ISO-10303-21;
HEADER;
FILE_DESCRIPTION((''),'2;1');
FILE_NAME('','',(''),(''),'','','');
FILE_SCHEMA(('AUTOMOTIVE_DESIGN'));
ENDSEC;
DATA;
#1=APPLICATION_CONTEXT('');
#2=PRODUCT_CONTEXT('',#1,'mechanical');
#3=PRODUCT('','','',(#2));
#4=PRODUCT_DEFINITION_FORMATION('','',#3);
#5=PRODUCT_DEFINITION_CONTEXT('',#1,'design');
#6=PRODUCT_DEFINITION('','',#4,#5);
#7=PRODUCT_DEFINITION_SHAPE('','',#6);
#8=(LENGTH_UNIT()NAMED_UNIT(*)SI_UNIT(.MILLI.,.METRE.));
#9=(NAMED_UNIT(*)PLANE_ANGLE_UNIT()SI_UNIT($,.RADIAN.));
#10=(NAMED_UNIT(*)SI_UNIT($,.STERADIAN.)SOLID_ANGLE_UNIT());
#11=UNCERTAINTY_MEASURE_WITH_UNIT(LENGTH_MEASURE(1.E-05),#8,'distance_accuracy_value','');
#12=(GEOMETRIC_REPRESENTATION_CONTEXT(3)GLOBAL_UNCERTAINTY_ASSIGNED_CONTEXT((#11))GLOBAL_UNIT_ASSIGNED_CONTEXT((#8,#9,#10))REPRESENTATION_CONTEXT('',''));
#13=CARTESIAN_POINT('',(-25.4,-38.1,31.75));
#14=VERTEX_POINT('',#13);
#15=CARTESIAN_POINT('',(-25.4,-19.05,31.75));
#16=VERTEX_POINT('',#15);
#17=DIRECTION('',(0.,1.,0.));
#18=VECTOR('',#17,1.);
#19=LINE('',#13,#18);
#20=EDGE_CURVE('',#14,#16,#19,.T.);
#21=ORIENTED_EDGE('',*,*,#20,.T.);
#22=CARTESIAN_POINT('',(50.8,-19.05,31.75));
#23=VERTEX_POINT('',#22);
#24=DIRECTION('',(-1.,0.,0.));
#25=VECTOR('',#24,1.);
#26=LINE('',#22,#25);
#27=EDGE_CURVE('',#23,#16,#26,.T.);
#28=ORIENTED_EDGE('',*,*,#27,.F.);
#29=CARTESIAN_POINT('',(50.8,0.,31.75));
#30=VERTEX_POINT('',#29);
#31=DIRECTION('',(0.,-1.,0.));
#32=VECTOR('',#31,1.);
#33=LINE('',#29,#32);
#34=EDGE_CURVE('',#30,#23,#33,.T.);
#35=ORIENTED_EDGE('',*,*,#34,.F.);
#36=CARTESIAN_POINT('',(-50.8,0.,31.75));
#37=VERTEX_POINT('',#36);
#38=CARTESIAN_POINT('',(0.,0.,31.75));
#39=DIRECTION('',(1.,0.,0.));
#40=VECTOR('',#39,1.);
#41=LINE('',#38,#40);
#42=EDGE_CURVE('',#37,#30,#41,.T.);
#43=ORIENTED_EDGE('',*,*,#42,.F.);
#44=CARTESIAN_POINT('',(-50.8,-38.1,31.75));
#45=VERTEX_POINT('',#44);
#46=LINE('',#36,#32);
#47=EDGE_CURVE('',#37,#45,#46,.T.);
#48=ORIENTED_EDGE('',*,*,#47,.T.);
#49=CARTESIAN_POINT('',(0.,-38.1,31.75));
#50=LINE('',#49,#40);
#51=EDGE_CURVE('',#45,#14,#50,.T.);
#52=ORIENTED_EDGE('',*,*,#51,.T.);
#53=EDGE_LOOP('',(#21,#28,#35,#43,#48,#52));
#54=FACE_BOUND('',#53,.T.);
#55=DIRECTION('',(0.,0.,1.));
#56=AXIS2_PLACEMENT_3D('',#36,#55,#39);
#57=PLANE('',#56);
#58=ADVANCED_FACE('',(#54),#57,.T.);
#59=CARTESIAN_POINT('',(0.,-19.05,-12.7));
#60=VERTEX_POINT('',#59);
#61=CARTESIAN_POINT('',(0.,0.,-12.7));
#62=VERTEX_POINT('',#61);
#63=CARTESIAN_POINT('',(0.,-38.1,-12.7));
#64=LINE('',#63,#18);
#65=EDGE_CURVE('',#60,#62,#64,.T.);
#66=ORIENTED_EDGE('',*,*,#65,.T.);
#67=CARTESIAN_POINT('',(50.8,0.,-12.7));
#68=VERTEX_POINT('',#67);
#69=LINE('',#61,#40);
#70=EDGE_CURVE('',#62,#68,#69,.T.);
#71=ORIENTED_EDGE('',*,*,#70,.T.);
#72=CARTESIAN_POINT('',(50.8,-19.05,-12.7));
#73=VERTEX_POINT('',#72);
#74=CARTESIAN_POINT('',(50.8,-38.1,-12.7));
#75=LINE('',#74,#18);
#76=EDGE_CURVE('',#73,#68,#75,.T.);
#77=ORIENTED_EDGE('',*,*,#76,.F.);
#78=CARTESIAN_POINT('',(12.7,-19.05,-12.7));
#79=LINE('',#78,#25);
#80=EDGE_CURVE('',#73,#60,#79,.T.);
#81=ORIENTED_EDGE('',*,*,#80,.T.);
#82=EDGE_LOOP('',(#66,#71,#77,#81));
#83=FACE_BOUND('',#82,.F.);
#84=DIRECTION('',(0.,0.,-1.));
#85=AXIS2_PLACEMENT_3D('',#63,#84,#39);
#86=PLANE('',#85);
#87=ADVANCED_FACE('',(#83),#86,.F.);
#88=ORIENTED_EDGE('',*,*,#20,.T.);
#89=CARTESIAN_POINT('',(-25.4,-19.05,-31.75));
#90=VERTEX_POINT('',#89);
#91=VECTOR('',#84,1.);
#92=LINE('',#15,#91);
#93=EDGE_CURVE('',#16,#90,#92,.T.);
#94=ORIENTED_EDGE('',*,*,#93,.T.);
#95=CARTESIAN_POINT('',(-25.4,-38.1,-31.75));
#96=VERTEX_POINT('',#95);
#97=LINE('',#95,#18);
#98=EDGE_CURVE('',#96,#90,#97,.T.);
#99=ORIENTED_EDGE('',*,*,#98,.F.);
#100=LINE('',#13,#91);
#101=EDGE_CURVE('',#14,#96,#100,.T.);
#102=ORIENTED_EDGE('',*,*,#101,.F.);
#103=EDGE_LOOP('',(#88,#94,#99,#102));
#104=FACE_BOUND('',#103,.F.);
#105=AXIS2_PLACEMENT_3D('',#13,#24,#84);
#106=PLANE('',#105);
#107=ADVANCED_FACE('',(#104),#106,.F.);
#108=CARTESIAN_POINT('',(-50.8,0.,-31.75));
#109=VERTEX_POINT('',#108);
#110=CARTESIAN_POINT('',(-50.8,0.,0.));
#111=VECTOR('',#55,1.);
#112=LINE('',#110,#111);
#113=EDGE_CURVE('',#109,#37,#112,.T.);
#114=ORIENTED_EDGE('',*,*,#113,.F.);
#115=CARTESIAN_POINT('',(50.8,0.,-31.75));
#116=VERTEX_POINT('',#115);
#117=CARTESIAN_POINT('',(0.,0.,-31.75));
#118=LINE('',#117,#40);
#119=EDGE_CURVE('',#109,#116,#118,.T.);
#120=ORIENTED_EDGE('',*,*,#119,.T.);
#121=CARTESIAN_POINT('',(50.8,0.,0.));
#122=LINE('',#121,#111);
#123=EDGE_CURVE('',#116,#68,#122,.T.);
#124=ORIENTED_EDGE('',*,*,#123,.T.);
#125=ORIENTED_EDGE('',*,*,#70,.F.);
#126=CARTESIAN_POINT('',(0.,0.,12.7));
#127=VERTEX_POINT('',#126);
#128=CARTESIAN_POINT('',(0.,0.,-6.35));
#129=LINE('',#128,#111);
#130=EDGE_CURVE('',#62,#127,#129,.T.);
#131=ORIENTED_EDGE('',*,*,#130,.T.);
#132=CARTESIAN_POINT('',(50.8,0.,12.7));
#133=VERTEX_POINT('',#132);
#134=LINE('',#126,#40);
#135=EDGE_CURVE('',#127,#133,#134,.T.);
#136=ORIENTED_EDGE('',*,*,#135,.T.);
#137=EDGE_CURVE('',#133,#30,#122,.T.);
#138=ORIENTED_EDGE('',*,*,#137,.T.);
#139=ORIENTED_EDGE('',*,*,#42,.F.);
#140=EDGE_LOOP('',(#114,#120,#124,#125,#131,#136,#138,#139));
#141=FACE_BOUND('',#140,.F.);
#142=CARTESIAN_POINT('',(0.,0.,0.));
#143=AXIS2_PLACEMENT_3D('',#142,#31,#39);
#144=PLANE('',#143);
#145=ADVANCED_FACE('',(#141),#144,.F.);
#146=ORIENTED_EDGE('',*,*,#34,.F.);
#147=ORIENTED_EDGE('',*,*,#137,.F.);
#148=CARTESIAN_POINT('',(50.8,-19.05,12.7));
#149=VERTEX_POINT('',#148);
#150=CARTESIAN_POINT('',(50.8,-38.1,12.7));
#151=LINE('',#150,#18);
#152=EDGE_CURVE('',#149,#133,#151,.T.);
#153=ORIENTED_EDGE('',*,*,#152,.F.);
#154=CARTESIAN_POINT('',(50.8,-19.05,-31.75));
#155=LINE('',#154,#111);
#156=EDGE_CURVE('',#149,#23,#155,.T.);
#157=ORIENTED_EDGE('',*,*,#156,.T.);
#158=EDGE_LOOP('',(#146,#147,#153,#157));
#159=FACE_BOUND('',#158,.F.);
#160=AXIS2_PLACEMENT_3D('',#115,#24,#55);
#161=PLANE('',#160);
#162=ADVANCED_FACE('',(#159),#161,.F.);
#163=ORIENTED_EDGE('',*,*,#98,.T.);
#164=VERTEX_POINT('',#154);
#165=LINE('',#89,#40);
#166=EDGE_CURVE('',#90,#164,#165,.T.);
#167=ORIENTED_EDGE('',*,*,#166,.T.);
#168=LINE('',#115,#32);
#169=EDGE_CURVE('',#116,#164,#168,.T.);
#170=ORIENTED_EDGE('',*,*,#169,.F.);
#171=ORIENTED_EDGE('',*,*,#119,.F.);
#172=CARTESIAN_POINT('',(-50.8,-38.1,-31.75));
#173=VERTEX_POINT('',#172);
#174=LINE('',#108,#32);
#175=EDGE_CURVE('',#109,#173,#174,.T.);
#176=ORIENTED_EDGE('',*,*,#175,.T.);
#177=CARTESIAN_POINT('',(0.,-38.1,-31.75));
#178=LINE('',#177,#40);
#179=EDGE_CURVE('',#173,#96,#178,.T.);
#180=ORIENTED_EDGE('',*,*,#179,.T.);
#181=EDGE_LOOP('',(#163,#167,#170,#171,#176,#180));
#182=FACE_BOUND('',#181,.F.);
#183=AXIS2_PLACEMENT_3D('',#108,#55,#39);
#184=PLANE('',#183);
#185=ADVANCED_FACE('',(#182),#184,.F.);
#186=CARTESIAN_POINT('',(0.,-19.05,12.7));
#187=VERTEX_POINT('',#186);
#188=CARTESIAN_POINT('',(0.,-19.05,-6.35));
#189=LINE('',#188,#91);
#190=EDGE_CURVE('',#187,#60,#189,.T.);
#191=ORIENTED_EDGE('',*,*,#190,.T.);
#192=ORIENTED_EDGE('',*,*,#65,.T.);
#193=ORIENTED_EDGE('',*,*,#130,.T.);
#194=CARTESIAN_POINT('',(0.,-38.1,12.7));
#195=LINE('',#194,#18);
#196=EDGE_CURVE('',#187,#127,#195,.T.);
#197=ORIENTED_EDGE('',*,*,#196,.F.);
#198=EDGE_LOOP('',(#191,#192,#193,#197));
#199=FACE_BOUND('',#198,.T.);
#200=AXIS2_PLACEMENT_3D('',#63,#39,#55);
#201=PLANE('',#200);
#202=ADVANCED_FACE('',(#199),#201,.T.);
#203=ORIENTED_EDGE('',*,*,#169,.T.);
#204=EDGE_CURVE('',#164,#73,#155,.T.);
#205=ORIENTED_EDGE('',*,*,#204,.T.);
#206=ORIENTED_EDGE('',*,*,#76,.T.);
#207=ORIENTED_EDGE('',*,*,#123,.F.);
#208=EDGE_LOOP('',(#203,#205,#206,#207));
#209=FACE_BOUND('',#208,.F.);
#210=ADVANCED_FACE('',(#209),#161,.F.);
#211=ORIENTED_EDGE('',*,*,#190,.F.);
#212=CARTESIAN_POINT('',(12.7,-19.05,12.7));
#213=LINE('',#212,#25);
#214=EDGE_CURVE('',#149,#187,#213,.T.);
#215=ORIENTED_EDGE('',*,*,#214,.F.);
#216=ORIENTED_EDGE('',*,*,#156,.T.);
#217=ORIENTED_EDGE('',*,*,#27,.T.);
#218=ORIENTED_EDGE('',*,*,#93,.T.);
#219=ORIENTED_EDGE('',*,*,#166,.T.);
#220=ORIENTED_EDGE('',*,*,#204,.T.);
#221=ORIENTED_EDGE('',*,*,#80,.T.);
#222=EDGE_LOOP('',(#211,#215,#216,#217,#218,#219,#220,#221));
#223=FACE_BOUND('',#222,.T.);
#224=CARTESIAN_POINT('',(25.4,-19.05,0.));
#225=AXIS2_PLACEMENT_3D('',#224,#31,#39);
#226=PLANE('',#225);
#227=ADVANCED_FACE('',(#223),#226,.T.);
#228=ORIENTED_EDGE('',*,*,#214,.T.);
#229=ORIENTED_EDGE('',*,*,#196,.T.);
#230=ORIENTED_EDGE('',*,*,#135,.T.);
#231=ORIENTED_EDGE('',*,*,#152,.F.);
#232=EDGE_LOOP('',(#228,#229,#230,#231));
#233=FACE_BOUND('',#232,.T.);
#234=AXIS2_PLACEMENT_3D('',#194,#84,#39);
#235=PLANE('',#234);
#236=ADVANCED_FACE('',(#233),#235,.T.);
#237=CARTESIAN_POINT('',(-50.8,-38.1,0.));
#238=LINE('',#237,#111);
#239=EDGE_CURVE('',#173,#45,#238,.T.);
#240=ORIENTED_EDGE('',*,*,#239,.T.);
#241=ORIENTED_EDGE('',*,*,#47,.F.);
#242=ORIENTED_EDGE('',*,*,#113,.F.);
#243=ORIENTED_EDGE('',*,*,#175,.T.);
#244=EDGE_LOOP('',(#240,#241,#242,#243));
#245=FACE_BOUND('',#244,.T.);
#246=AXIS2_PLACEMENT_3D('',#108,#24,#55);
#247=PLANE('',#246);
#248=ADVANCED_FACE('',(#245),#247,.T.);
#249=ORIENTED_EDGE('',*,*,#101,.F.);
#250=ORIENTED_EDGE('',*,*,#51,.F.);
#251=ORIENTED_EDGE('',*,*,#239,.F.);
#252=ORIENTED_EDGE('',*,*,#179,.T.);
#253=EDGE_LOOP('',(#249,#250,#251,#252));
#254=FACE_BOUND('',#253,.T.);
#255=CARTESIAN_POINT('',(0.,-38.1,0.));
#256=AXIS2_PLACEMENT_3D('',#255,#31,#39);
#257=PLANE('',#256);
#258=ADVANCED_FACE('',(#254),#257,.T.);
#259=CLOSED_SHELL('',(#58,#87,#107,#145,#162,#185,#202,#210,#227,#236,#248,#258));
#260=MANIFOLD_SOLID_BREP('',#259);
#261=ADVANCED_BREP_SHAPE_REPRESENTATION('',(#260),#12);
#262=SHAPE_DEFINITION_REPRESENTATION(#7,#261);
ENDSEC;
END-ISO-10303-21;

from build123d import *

# Parameters (mm, degrees)
F0_W     = 101.6
F0_H     = 63.5
F1_DEPTH = 38.1
F2_W     = 50.8
F2_H     = 25.4
F3_DEPTH = 38.101
F4_DEPTH = 19.05


with BuildPart() as f1:
    # F0 (on Front) → F1 (new body)
    with BuildSketch(Plane.XZ):
        Rectangle(F0_W, F0_H)
    extrude(amount=F1_DEPTH)

    # F2 (on face) → F3 (cut, through all)
    with BuildSketch(Plane.XZ.offset(38.1)):
        with Locations((25.4, 0)):
            Rectangle(F2_W, F2_H)
    extrude(amount=-F3_DEPTH, mode=Mode.SUBTRACT)

    # F2 (on face) → F4 (cut)
    with BuildSketch(Plane.XZ.offset(38.1)):
        with Locations((25.4, 0)):
            Rectangle(F2_W, F2_H)
        Polygon((50.8, 31.75), (-25.4, 31.75), (-25.4, -31.75), (50.8, -31.75), (50.8, -12.7), (0, -12.7), (0, 12.7), (50.8, 12.7), align=None)
    extrude(amount=-F4_DEPTH, mode=Mode.SUBTRACT)


solid = f1.part
